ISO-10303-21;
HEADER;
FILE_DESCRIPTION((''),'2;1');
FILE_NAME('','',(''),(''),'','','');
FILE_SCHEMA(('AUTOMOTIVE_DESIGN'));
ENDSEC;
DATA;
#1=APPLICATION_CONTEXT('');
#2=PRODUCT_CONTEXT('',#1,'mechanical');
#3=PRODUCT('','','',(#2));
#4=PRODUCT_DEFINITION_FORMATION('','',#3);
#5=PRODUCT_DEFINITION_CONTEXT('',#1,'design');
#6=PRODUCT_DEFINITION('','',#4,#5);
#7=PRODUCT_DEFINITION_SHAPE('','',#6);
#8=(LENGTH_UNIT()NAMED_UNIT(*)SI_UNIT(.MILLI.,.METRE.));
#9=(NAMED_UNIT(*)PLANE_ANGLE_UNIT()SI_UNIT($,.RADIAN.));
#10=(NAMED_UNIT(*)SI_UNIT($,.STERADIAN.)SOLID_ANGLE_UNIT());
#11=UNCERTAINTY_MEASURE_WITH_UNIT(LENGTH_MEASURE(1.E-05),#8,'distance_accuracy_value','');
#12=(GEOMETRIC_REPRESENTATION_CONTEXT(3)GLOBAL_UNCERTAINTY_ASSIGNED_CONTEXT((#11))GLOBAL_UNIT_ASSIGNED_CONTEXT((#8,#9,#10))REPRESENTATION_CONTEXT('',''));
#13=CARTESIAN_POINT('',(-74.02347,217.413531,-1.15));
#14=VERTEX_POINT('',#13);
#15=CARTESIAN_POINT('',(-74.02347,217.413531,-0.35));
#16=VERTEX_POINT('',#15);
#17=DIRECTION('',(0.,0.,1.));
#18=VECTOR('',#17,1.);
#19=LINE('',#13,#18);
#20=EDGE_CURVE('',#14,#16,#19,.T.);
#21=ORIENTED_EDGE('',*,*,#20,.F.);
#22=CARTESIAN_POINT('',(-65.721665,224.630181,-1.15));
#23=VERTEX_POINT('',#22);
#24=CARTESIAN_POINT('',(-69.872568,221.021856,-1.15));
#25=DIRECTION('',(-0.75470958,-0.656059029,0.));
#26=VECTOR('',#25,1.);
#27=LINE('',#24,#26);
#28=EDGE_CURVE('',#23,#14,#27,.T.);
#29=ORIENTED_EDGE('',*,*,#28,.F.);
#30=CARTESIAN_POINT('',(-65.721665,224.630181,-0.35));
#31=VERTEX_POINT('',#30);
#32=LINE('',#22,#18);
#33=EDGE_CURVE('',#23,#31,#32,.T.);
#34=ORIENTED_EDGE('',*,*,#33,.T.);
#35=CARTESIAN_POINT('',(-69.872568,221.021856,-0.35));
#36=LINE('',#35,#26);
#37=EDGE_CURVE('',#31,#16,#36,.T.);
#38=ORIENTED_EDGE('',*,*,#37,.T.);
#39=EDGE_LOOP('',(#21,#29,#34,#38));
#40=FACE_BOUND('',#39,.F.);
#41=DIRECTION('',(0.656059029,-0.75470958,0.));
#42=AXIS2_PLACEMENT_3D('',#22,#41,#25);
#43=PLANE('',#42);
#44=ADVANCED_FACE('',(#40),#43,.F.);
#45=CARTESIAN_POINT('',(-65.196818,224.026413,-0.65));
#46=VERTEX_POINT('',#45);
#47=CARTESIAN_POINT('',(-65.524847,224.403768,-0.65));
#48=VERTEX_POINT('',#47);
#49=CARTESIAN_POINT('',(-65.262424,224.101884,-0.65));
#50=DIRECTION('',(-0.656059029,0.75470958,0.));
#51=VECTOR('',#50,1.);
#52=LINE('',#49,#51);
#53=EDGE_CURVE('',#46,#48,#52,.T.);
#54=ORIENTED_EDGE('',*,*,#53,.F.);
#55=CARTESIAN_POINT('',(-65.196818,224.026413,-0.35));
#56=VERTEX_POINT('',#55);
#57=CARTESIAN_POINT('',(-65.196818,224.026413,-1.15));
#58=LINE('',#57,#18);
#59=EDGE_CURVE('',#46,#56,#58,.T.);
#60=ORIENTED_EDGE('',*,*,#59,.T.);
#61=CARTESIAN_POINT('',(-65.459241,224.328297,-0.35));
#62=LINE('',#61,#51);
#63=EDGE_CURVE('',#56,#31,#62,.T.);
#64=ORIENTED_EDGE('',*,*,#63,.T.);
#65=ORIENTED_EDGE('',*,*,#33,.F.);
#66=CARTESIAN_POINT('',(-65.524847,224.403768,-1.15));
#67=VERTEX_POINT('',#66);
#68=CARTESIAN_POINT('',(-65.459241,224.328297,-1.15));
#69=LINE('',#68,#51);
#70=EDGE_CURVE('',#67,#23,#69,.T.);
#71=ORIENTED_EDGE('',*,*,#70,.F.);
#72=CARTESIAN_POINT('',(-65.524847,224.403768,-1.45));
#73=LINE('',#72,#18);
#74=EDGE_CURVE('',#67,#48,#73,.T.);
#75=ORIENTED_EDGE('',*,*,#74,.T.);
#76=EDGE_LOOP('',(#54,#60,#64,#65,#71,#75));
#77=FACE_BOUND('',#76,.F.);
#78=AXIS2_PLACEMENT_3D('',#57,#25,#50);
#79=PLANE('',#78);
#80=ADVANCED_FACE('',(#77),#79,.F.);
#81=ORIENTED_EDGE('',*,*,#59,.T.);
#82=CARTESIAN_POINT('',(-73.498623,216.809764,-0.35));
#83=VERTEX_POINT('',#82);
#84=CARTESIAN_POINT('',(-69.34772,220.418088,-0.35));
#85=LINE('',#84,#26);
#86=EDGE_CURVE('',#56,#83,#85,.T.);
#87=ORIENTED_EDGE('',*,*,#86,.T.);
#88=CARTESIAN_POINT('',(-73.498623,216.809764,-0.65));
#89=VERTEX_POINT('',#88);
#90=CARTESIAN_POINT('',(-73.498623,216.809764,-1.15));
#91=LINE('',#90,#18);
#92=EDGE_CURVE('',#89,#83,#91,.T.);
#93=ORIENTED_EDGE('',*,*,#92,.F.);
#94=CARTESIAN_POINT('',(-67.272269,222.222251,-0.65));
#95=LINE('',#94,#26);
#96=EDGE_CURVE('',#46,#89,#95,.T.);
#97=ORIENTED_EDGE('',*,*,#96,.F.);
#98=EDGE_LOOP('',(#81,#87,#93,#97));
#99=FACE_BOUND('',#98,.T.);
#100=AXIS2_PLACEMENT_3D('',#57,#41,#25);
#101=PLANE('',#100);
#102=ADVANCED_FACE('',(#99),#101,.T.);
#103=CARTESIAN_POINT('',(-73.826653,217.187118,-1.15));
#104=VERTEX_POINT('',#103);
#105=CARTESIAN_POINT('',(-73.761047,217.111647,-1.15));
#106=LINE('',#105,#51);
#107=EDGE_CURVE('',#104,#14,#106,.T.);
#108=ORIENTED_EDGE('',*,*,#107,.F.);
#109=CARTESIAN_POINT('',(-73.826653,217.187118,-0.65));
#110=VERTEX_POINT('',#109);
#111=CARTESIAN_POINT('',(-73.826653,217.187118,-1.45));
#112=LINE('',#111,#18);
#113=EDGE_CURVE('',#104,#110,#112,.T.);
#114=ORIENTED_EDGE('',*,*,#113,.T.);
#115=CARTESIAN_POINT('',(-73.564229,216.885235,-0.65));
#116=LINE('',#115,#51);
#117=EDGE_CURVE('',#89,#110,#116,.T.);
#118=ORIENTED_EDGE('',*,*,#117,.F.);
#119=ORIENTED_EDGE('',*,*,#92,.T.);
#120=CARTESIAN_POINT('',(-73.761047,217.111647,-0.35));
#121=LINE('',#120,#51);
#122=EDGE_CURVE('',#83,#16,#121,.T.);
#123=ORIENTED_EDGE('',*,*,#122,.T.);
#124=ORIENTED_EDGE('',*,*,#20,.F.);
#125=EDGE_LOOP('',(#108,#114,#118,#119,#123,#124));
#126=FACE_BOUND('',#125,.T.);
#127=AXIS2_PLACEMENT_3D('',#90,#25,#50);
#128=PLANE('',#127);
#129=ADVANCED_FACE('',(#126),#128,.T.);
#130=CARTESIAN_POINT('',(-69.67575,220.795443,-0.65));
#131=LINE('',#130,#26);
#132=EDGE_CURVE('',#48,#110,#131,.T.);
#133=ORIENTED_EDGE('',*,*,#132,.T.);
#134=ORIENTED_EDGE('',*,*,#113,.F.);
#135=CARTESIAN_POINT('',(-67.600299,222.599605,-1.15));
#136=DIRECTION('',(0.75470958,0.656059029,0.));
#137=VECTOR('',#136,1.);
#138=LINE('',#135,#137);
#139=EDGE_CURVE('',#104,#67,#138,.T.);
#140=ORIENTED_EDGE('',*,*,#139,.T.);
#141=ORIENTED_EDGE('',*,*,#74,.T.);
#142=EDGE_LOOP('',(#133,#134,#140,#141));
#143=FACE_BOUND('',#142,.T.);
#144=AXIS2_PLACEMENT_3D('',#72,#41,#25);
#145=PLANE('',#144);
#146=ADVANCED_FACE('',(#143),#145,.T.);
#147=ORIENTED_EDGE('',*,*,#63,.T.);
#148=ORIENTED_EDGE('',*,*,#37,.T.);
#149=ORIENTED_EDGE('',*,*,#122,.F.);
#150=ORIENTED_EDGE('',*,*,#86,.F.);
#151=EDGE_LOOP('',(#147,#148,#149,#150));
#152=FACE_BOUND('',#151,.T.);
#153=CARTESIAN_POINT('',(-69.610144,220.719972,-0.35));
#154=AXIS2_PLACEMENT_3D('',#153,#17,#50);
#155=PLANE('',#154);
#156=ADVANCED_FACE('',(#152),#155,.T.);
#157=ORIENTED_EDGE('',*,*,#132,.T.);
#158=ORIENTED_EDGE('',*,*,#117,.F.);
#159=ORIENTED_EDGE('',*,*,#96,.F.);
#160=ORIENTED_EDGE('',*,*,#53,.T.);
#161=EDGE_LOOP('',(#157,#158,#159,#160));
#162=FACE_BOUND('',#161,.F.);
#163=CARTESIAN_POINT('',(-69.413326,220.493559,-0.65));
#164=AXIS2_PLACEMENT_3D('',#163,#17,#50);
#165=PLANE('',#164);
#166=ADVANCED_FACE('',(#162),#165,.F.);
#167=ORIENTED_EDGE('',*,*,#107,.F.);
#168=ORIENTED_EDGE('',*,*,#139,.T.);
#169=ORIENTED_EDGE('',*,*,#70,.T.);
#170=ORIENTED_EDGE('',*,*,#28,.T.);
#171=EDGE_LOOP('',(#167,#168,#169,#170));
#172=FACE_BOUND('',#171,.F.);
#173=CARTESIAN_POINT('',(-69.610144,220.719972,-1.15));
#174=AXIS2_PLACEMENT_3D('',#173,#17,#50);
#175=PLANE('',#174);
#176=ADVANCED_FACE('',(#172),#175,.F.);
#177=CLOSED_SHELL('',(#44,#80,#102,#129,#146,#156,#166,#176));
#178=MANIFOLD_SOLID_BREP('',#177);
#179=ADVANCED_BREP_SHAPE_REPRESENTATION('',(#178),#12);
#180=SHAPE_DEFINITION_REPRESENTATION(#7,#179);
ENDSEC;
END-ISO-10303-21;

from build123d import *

# Parameters (mm, degrees)
BOX197_W               = 0.8
BOX197_H               = 11
BOX197_DEPTH           = 0.8
BOX198_W               = 0.8
BOX198_H               = 11
BOX198_DEPTH           = 0.8
CUT102_PLACEMENT_ANGLE = 131


with BuildPart() as cubo197:
    # Box197 → Box197 (new body)
    with BuildSketch(Plane.XY):
        with Locations((0.4, 5.5)):
            Rectangle(BOX197_W, BOX197_H)
    extrude(amount=BOX197_DEPTH)


with BuildPart() as perfil_l_2da_cara044:
    # Box198 → Box198 (new body)
    with BuildSketch(Plane(origin=(0.3, 0, 0.3), x_dir=(1, 0, 0), z_dir=(0, 0, 1))):
        with Locations((0.4, 5.5)):
            Rectangle(BOX198_W, BOX198_H)
    extrude(amount=BOX198_DEPTH)

    # Cut102: cut Cubo197
    add(cubo197.part, mode=Mode.SUBTRACT)


with BuildPart() as perfil_l_2da_cara044_1:
    # Cut102 placement: moved
    add(perfil_l_2da_cara044.part.moved(Location((-65, 223.8, -1.45))).rotate(Axis((-65, 223.8, -1.45), (0, 0, 1)), CUT102_PLACEMENT_ANGLE))


solid = perfil_l_2da_cara044_1.part
